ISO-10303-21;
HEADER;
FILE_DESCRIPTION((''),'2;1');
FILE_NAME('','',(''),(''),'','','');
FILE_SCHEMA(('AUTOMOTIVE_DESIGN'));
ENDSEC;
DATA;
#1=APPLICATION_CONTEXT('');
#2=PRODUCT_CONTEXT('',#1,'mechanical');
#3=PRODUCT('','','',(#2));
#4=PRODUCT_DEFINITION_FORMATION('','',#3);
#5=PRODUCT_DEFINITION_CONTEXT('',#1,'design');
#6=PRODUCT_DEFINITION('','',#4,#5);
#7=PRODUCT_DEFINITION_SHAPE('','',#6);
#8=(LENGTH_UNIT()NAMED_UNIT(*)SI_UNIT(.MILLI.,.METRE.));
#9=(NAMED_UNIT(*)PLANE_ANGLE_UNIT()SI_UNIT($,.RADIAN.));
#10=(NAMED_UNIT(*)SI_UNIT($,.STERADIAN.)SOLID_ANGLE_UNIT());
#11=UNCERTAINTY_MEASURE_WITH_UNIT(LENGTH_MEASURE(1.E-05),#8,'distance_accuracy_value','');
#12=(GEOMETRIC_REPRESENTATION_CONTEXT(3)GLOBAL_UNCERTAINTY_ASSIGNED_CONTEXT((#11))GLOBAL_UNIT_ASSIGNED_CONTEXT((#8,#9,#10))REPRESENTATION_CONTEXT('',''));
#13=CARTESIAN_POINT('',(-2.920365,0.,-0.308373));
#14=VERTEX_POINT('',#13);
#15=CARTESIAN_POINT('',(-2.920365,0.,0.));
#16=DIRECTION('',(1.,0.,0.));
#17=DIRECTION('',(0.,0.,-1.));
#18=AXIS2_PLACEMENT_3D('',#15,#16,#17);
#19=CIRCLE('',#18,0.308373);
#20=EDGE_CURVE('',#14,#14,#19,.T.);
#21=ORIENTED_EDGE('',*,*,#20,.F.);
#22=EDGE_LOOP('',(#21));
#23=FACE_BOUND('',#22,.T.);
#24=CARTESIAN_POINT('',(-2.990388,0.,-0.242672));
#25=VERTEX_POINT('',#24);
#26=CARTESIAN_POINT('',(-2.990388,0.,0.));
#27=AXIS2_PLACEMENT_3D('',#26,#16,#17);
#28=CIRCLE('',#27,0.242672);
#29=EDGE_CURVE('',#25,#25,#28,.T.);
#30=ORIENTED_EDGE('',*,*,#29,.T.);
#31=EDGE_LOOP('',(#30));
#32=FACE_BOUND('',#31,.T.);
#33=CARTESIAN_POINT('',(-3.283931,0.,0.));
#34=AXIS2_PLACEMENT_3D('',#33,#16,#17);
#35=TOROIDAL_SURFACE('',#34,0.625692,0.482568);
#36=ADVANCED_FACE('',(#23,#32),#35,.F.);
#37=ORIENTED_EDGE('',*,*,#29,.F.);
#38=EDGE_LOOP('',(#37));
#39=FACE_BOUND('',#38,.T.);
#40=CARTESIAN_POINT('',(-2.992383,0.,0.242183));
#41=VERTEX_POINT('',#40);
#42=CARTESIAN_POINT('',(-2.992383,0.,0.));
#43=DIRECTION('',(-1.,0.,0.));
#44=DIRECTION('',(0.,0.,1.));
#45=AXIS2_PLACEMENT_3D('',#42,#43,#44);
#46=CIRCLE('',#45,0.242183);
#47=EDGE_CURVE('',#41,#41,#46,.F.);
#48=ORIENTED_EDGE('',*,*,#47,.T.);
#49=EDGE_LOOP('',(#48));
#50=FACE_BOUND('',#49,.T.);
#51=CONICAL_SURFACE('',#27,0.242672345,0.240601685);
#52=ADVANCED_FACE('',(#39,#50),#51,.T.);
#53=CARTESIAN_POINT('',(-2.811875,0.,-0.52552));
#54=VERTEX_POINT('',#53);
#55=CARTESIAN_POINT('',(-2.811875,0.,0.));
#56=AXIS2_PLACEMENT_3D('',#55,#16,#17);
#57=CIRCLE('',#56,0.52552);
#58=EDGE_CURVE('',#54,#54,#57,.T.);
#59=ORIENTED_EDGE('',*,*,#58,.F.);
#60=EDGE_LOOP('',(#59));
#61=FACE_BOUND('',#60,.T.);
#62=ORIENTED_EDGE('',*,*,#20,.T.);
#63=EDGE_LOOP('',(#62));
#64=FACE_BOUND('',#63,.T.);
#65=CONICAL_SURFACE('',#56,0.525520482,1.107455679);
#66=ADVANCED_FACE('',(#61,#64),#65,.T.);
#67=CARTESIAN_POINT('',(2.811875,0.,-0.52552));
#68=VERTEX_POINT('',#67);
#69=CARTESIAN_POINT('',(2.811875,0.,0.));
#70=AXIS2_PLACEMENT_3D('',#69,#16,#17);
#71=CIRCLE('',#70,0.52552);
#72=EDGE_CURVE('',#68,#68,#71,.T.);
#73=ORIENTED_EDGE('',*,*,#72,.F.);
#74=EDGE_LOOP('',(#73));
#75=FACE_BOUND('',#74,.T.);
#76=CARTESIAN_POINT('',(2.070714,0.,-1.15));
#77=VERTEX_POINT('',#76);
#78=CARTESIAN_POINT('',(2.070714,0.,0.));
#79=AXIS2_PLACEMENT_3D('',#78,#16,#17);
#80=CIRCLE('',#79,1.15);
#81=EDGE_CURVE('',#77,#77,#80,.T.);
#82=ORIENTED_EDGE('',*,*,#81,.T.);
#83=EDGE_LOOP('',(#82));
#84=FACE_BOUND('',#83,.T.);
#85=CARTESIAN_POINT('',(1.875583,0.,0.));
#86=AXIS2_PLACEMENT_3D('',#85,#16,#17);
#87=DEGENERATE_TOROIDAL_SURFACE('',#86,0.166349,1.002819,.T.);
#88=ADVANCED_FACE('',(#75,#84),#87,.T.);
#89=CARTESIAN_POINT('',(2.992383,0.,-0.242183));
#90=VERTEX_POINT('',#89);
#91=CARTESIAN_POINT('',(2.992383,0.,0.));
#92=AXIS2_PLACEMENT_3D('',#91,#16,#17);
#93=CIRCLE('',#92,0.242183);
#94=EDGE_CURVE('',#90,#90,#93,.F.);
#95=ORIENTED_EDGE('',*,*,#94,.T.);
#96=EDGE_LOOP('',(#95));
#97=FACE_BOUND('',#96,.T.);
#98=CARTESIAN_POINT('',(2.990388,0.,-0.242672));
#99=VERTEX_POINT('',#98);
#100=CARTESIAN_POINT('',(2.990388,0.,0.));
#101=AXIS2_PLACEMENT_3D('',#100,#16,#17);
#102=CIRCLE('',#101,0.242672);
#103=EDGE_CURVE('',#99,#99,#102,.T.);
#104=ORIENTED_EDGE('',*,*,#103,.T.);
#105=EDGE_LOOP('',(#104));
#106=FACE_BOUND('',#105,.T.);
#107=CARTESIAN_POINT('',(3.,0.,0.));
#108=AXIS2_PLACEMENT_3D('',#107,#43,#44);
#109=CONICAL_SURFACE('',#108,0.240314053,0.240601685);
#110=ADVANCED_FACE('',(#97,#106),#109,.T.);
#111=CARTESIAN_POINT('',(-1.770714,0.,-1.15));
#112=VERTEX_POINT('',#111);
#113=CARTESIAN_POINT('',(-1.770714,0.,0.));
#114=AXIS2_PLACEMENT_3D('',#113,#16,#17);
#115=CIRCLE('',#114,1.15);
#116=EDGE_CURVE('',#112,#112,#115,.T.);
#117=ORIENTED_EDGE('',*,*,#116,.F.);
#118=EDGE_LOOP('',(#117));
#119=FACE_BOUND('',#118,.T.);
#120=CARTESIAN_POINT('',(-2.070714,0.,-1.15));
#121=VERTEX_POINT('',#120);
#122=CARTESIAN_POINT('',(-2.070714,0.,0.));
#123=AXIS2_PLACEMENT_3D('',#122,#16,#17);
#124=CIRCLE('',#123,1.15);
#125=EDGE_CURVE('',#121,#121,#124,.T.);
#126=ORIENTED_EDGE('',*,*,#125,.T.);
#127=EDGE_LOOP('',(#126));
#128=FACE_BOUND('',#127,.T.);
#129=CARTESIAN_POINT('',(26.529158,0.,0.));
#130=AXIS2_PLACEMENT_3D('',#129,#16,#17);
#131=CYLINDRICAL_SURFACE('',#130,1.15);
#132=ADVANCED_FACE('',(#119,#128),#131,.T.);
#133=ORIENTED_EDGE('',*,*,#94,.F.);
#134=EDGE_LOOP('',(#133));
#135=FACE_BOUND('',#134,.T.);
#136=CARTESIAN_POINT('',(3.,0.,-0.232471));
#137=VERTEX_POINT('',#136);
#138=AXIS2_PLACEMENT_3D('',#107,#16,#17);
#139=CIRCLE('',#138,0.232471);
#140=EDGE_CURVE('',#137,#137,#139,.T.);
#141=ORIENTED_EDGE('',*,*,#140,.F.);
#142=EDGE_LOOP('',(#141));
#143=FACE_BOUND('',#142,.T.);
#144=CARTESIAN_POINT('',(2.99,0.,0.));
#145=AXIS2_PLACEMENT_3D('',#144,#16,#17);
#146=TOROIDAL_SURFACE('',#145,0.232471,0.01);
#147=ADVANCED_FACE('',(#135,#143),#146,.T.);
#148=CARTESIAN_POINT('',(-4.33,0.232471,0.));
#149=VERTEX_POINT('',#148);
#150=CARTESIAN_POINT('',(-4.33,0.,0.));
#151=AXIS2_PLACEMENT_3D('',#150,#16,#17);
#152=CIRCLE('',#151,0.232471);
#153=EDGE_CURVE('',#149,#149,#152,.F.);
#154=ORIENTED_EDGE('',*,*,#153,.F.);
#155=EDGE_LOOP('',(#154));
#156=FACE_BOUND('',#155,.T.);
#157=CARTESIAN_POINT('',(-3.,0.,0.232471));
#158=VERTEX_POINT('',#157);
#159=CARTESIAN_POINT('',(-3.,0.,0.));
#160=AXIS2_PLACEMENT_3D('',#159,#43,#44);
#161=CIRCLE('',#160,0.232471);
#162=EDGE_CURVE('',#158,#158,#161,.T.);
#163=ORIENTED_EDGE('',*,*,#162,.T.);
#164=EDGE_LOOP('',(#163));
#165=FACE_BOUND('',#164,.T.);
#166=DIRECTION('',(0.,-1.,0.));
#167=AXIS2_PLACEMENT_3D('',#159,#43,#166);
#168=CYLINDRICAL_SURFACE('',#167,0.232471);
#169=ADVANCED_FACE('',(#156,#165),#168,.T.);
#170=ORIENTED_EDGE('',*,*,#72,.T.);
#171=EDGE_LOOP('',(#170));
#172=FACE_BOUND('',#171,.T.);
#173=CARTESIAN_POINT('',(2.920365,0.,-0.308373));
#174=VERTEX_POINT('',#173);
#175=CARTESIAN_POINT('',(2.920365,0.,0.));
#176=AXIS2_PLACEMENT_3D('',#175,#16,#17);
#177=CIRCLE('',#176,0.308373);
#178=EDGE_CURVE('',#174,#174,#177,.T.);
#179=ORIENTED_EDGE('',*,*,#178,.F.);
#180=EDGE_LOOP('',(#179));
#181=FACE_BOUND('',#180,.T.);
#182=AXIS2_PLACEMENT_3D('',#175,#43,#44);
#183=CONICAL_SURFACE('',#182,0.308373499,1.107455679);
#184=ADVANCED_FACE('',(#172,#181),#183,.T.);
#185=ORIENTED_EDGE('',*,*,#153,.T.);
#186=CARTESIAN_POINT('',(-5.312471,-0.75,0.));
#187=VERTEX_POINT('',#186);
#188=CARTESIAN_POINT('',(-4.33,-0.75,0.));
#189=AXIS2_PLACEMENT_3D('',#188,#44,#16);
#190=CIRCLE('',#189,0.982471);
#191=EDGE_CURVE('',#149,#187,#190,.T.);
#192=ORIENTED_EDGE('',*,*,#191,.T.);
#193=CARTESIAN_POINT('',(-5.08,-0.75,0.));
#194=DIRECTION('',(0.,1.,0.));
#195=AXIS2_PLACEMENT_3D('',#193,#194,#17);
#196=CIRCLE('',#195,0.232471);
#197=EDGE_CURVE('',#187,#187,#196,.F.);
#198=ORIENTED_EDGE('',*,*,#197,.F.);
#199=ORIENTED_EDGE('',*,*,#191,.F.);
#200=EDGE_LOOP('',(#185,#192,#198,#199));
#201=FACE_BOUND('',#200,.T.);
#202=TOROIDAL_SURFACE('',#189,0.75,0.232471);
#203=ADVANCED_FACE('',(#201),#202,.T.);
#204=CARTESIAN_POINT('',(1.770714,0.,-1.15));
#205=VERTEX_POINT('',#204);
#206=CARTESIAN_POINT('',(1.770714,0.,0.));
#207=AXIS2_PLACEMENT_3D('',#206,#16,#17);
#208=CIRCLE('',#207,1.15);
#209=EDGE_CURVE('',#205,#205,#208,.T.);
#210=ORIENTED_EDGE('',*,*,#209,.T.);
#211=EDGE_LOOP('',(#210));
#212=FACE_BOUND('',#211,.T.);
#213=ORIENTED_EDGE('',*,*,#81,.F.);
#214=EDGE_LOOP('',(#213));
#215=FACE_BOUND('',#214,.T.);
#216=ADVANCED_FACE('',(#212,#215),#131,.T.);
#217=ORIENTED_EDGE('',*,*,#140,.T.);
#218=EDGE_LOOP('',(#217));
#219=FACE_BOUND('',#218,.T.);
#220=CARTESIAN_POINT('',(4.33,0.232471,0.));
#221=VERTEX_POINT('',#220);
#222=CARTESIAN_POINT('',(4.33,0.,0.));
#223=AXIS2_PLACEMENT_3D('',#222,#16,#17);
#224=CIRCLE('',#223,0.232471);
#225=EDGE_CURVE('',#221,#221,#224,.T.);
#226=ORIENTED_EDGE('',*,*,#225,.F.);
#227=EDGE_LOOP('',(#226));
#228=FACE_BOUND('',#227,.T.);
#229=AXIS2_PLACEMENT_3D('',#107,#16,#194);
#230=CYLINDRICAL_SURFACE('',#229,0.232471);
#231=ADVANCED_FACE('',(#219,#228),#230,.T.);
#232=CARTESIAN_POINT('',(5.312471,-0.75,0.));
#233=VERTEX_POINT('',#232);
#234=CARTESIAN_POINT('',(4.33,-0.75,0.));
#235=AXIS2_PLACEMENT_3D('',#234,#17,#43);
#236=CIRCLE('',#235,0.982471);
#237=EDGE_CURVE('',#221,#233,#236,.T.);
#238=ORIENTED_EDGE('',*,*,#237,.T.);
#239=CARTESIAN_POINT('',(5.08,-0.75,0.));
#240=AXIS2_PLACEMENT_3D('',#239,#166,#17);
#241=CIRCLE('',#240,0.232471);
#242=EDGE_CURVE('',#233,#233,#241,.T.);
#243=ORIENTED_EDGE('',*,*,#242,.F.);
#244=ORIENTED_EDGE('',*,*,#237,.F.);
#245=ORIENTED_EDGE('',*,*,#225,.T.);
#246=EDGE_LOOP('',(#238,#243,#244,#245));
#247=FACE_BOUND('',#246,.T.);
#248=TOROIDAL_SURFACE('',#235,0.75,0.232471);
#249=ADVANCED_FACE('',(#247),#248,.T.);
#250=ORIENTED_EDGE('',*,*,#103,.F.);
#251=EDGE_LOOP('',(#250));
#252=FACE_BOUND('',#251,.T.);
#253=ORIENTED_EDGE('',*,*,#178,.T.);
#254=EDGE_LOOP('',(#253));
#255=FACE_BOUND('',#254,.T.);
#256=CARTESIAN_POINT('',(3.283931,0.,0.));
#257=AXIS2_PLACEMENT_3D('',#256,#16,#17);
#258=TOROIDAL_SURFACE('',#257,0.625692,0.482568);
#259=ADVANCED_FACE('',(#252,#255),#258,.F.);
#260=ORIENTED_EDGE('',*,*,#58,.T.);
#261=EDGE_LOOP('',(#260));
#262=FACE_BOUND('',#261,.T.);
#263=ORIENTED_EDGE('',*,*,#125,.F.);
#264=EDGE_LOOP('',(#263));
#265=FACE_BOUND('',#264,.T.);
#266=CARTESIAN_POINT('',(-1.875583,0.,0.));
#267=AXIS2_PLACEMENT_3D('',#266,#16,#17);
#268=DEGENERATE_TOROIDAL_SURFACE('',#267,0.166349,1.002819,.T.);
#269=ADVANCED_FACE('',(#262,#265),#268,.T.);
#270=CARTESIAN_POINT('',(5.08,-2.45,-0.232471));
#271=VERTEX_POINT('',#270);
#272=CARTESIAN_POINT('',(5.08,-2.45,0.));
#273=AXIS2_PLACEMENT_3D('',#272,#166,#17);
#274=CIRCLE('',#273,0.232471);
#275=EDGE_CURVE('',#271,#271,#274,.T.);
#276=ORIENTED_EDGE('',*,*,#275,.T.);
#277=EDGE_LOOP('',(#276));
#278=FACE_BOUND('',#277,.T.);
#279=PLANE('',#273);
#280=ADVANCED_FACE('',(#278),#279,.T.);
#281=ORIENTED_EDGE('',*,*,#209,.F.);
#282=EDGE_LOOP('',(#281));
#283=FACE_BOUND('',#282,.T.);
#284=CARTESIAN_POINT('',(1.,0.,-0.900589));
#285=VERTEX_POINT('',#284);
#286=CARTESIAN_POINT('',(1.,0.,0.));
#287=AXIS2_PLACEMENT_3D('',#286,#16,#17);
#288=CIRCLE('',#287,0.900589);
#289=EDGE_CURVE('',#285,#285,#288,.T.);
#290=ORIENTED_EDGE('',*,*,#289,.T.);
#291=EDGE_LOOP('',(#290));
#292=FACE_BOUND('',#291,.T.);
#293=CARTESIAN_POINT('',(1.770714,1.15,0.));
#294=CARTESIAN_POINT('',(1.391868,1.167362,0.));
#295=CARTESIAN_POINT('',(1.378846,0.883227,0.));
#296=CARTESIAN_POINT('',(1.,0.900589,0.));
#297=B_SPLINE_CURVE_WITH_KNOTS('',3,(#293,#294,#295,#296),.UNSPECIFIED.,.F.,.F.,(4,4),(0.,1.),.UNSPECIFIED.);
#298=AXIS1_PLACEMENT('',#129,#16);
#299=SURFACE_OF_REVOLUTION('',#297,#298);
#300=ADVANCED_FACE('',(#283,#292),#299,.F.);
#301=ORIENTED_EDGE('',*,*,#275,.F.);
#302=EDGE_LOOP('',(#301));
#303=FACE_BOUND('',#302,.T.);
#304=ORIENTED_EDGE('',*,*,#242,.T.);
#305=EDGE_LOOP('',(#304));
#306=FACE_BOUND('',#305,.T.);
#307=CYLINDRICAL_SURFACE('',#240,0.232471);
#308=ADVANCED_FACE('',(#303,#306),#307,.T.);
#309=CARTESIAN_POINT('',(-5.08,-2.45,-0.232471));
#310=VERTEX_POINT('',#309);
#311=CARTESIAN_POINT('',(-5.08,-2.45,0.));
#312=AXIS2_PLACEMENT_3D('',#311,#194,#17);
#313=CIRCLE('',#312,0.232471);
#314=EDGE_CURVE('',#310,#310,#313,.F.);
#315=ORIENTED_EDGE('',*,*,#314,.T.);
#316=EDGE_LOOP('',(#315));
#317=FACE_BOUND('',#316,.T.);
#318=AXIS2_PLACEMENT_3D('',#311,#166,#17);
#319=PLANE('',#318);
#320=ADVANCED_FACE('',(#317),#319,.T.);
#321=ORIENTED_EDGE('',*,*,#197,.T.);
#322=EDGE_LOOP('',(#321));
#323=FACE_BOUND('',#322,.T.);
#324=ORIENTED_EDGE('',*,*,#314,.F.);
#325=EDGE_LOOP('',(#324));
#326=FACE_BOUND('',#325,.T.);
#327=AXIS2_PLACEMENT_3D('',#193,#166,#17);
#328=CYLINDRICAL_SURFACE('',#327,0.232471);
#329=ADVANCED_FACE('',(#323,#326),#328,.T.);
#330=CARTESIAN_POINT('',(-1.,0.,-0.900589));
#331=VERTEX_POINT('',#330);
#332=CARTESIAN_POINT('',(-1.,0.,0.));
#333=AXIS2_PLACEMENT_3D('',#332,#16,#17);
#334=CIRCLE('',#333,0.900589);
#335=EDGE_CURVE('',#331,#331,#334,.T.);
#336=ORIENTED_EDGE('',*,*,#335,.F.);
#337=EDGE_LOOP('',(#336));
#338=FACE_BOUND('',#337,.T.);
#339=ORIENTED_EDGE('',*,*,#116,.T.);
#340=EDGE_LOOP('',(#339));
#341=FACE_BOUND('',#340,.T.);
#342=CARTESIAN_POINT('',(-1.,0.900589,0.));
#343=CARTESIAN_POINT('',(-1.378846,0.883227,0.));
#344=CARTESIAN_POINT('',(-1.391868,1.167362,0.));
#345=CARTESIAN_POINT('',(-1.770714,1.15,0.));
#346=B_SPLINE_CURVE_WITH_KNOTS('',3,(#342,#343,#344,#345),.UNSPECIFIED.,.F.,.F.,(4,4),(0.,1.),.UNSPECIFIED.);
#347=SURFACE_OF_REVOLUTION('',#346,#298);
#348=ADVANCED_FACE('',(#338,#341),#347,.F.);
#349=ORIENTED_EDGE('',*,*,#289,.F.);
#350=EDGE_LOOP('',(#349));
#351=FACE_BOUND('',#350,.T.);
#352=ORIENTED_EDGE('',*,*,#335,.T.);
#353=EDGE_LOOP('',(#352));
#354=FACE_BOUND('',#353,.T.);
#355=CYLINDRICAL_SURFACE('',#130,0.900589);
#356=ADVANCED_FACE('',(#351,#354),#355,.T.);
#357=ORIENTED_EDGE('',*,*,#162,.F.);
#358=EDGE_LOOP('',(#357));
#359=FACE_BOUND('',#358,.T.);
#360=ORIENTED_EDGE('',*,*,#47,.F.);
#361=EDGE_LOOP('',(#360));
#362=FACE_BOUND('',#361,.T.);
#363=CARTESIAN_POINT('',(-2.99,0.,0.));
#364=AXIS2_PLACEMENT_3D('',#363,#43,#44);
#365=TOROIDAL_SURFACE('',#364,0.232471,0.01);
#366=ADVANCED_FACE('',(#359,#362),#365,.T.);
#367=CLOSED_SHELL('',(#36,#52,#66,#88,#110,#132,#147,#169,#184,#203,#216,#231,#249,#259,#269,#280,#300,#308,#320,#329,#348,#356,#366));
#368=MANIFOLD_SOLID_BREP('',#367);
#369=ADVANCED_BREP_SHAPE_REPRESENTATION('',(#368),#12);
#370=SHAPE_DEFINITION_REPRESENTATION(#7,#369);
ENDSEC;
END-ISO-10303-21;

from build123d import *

# Parameters (mm, degrees)
FILLET_2_R = 0.01
CROQUIS5_R = 0.232471002


with BuildPart() as part:
    # Эскиз1 → Повернуть1 (revolve)
    with BuildSketch(Plane.XY, mode=Mode.PRIVATE) as revolve_1_sk:
        with BuildLine():
            Line((3, 0.240314053), (3, 0))
            Line((3, 0), (-3, 0))
            Line((-3, 0), (-3, 0.240314053))
            Line((-3, 0.240314053), (-2.990388227, 0.242672345))
            ThreePointArc((-2.990388227, 0.242672345), (-2.953738282, 0.273776948), (-2.920364738, 0.308373499))
            Line((-2.920364738, 0.308373499), (-2.811874553, 0.525520482))
            ThreePointArc((-2.811874553, 0.525520482), (-2.521743293, 0.933240561), (-2.070714296, 1.15))
            Line((-2.070714296, 1.15), (-1.770714296, 1.15))
            add(Edge.make_bspline(
                [(-1.770714296, 1.15), (-1.391867939, 1.167362108), (-1.378846358, 0.88322734), (-1, 0.900589448)],
                knots=[0, 0, 0, 0, 1, 1, 1, 1], degree=3))
            Line((-1, 0.900589448), (1, 0.900589448))
            add(Edge.make_bspline(
                [(1.770714296, 1.15), (1.391867939, 1.167362108), (1.378846358, 0.88322734), (1, 0.900589448)],
                knots=[0, 0, 0, 0, 1, 1, 1, 1], degree=3))
            Line((1.770714296, 1.15), (2.070714296, 1.15))
            ThreePointArc((2.070714296, 1.15), (2.521743293, 0.933240561), (2.811874553, 0.525520482))
            Line((2.811874553, 0.525520482), (2.920364738, 0.308373499))
            ThreePointArc((2.920364738, 0.308373499), (2.953738282, 0.273776948), (2.990388227, 0.242672345))
            Line((2.990388227, 0.242672345), (3, 0.240314053))
        make_face()
    revolve(revolve_1_sk.sketch.rotate(Axis((26.529158448, 0, 0), (-1, 0, 0)), 90), axis=Axis((26.529158448, 0, 0), (-1, 0, 0)))

    # Скругление2
    fillet_2_edges = [part.edges().sort_by_distance(p)[0] for p in [
        (3, 0, 0.240314053),
        (-3, 0, 0.240314053),
    ]]
    fillet(fillet_2_edges, radius=FILLET_2_R)

    # Barrer1: sweep along a path in Croquis6
    with BuildLine(Plane.XY) as barrer1_path:
        Line((3, 0), (4.33, 0))
        ThreePointArc((4.33, 0), (4.860330086, -0.219669914), (5.08, -0.75))
        Line((5.08, -0.75), (5.08, -2.45))
    # Croquis5 → Barrer1 (sweep)
    with BuildSketch(Plane(origin=(3, 0, 0), x_dir=(0, 0, -1), z_dir=(1, 0, 0))):
        Circle(CROQUIS5_R)
    barrer1 = sweep(path=barrer1_path.line)

    # Simetría1: Barrer1 across plane
    add(barrer1.mirror(Plane(origin=(0, 0, 0), x_dir=(0, 0, 1), z_dir=(1, 0, 0))))


solid = part.part
